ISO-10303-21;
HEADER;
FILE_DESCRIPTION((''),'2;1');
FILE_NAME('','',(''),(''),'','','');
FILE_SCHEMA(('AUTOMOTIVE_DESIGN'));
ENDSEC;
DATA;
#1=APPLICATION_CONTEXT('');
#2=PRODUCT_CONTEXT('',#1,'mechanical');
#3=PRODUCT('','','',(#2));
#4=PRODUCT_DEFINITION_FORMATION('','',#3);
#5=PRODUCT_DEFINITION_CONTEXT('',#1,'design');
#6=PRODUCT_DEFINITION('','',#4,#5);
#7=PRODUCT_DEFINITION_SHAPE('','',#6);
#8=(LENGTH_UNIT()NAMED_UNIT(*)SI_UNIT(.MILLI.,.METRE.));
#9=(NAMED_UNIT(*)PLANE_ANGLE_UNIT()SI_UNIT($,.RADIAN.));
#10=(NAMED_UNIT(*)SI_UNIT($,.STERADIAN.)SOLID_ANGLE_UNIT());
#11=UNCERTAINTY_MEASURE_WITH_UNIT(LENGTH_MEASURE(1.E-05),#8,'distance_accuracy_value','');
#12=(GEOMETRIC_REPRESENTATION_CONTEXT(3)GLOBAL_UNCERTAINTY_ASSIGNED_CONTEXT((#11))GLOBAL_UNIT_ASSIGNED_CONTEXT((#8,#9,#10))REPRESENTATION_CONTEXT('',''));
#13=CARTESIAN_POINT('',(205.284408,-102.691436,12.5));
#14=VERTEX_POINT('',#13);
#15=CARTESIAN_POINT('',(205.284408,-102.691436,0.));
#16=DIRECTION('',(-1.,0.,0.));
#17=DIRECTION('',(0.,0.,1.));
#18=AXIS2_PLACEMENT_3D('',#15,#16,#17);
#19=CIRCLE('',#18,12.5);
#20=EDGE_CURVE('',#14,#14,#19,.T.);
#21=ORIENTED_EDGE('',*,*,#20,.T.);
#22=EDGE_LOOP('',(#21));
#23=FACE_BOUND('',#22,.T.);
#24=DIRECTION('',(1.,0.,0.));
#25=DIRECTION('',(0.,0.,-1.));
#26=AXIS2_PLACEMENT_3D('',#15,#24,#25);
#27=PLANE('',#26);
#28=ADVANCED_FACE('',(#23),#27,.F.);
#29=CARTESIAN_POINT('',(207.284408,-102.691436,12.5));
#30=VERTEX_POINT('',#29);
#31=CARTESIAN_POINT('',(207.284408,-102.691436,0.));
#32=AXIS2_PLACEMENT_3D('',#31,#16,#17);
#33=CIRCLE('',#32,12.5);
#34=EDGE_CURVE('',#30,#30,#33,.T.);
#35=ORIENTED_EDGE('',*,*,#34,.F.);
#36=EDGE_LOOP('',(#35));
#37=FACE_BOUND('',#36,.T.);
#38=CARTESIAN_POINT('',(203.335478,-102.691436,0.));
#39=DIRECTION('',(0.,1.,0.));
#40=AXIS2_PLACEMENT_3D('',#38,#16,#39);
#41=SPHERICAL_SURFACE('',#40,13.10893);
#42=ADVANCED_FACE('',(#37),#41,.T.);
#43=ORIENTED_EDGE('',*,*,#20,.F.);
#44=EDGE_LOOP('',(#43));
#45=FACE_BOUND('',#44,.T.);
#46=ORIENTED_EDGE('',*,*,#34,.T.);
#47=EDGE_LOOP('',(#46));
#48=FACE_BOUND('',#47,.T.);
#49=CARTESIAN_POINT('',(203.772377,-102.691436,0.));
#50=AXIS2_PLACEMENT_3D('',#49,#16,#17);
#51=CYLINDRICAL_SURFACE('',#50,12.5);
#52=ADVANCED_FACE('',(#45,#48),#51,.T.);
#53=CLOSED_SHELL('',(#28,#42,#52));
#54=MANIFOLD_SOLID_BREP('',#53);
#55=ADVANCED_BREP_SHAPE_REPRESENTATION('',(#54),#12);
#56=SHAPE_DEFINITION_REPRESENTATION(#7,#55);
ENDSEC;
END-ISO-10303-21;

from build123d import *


with BuildPart() as part:
    # 草图1 → 旋转1 (revolve)
    with BuildSketch(Plane.XY):
        with BuildLine():
            Line((205.284407954, -102.691436271), (205.284407954, -90.191436271))
            Line((205.284407954, -90.191436271), (207.284407954, -90.191436271))
            ThreePointArc((207.284407954, -90.191436271), (213.909273224, -94.942959002), (216.444407954, -102.691436271))
            Line((216.444407954, -102.691436271), (205.284407954, -102.691436271))
        make_face()
    revolve(axis=Axis((203.772376712, -102.691436271, 0), (1, 0, 0)))


solid = part.part
